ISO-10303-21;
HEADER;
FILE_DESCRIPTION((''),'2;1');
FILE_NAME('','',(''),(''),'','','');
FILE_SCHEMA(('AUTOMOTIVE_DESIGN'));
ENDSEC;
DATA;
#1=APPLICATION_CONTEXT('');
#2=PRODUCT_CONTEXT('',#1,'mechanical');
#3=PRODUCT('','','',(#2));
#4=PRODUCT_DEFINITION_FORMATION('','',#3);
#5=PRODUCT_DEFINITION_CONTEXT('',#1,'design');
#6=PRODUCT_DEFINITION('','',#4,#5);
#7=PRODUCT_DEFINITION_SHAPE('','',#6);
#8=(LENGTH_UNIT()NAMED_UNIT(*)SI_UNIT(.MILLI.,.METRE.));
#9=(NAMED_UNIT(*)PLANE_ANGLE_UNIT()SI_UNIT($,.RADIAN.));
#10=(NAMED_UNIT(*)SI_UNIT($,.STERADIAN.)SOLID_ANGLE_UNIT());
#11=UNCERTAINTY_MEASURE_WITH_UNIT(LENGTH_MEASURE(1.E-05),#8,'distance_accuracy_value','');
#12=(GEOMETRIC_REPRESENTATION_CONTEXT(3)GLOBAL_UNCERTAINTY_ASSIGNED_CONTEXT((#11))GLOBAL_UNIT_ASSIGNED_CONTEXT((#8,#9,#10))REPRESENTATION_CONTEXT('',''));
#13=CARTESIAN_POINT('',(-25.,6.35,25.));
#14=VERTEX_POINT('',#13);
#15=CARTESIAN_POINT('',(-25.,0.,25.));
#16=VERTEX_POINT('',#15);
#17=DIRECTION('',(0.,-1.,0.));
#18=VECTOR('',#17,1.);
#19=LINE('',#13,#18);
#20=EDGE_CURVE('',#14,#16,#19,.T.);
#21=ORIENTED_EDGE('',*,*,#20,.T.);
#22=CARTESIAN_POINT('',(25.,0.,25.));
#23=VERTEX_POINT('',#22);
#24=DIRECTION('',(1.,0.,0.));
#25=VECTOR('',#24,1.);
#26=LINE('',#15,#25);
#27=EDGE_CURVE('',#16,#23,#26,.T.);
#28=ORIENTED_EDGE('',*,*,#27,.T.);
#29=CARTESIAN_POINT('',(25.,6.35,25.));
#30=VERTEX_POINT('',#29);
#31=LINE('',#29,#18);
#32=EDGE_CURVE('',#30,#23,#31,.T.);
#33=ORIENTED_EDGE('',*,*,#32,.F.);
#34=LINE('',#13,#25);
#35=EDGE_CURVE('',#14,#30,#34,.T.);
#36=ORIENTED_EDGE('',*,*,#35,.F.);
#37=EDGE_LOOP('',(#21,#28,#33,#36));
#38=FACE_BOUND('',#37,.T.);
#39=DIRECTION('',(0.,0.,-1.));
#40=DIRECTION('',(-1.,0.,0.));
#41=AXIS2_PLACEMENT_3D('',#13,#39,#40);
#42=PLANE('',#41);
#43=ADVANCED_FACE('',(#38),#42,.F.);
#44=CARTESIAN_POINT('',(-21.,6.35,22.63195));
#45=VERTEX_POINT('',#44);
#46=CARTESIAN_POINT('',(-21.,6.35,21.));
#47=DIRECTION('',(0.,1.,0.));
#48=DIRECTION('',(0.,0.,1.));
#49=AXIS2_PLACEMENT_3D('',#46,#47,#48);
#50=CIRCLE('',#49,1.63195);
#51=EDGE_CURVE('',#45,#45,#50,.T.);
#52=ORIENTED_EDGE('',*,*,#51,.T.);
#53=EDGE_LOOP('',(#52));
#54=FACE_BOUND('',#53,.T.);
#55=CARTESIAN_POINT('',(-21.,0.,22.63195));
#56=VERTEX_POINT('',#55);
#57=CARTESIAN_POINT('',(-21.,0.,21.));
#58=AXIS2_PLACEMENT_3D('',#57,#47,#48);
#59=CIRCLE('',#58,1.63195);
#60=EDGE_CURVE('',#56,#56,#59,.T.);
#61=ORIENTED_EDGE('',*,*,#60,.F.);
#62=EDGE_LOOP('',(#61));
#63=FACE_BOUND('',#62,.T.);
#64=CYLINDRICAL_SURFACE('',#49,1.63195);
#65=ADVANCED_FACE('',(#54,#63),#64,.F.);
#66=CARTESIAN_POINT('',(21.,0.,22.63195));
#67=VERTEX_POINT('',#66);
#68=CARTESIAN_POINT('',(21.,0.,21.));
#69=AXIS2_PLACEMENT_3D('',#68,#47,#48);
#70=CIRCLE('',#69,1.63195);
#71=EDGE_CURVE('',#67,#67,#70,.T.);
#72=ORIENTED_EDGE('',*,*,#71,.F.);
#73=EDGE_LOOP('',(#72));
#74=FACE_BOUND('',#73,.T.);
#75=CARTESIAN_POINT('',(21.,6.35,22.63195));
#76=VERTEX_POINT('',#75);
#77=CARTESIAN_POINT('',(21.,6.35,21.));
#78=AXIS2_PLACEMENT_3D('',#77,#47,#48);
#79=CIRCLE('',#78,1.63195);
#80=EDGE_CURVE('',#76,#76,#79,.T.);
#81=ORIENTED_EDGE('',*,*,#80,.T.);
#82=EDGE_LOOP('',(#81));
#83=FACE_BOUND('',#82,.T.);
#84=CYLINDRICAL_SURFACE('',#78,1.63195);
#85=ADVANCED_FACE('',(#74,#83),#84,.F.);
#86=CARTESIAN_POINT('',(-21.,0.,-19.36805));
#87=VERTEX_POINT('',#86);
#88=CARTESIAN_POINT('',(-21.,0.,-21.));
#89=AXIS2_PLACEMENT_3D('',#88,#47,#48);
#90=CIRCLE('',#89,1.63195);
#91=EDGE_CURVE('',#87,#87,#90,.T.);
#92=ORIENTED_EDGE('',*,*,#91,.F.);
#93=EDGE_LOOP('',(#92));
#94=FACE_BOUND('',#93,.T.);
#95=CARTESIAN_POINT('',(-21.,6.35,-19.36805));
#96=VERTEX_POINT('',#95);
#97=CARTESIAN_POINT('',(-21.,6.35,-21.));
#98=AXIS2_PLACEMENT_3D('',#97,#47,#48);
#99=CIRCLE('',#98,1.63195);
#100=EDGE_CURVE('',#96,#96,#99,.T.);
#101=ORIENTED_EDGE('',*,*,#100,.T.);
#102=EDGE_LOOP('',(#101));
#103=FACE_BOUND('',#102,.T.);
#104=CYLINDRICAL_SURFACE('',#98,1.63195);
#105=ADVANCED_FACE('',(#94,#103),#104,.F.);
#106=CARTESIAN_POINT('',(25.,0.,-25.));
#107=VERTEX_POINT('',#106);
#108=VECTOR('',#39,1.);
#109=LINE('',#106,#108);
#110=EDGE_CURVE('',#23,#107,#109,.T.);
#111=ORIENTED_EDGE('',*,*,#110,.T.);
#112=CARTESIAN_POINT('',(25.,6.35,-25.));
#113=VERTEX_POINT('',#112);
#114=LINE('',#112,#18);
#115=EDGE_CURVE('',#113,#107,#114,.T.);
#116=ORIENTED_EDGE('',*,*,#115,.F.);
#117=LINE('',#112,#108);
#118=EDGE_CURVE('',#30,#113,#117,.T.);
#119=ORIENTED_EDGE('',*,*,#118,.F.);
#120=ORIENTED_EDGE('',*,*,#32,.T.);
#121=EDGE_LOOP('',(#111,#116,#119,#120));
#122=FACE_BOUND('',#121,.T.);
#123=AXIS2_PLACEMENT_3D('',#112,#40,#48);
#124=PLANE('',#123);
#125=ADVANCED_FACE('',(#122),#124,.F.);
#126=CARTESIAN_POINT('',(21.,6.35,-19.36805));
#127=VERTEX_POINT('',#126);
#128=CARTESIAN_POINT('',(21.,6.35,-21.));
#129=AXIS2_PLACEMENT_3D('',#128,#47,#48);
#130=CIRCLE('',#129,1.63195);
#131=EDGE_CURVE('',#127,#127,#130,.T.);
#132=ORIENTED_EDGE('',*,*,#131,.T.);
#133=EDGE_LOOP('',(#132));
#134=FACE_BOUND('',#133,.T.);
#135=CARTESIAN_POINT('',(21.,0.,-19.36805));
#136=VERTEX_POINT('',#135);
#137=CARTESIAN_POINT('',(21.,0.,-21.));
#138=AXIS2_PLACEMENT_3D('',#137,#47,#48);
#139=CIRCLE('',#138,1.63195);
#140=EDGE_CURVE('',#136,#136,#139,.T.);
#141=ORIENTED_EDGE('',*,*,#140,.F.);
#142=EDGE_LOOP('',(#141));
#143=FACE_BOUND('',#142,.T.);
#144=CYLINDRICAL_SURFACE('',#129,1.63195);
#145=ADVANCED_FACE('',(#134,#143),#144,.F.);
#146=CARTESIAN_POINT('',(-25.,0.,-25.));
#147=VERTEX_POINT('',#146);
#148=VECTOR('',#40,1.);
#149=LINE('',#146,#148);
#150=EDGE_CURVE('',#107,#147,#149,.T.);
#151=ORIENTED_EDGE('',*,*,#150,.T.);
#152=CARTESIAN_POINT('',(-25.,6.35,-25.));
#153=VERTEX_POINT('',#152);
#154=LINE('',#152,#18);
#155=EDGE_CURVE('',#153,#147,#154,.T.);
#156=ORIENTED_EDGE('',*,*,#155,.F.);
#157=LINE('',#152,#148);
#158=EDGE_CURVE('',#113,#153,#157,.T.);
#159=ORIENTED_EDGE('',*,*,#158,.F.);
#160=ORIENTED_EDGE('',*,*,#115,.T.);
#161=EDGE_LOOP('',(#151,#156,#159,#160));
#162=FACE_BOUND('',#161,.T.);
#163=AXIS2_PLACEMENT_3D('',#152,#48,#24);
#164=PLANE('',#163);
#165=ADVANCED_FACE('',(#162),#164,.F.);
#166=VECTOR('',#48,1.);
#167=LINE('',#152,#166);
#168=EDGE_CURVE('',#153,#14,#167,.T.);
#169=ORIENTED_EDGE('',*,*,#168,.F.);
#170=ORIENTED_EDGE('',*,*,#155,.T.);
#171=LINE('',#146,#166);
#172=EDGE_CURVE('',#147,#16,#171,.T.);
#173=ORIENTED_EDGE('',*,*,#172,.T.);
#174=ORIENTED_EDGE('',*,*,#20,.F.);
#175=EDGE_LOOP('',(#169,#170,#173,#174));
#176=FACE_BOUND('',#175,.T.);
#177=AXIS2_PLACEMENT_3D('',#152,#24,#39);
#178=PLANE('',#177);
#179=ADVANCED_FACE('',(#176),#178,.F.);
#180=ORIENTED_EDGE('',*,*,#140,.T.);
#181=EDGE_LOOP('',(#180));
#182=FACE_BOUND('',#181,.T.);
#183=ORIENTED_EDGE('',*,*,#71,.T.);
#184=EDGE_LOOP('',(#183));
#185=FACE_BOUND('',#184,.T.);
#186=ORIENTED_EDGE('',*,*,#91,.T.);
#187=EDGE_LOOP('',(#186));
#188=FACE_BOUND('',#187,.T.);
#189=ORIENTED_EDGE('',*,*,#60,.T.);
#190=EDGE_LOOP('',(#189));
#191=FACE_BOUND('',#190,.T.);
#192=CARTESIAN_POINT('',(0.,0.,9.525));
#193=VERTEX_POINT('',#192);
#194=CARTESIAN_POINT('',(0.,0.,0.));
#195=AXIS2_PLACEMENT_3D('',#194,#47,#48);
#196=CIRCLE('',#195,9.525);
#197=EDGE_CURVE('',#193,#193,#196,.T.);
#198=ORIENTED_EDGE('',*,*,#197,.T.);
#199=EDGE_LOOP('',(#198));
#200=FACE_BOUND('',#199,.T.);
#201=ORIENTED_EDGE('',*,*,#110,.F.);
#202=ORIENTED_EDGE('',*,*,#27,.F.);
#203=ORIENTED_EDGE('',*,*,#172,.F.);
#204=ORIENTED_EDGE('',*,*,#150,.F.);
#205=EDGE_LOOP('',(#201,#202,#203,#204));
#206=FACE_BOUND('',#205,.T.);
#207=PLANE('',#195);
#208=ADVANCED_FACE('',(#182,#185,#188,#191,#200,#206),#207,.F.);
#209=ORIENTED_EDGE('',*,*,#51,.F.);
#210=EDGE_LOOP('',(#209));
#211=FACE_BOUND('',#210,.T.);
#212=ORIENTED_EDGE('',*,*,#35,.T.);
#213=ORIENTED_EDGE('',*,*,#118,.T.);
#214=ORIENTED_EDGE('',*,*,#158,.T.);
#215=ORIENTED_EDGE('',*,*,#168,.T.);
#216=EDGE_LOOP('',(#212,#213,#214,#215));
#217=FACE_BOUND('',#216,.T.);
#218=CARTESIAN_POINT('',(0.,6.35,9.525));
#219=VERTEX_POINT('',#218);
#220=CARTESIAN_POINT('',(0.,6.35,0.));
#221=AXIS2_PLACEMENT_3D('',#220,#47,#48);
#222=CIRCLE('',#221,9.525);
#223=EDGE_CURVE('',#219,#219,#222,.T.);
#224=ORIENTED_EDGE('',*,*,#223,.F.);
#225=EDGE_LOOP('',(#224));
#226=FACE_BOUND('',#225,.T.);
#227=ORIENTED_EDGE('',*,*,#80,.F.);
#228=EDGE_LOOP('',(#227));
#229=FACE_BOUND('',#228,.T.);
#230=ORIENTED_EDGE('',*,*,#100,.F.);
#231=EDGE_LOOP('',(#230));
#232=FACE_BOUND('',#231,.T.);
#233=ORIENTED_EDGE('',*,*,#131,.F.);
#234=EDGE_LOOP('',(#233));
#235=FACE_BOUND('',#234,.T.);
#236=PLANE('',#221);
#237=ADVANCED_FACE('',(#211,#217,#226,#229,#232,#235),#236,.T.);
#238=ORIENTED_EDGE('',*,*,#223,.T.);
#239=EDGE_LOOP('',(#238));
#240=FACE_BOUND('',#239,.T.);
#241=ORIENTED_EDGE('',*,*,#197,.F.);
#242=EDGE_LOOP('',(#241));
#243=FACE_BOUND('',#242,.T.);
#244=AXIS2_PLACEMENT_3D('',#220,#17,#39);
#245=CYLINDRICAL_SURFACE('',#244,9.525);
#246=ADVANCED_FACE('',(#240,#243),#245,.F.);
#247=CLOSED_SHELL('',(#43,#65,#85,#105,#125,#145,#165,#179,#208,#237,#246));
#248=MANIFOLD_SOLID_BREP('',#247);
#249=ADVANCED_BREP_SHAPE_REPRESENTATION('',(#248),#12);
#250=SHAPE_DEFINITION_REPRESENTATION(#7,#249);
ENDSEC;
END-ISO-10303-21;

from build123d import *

# Parameters (mm, degrees)
SKETCH2_W             = 50
SKETCH2_H             = 50
SKETCH2_R             = 9.525
BOSS_EXTRUDE1_DEPTH   = 6.35
F_4_CLEARANCE_HOLE1_D = 3.2639


with BuildPart() as part:
    # Sketch2 → Boss-Extrude1 (new body)
    with BuildSketch(Plane(origin=(0, 0, 0), x_dir=(1, 0, 0), z_dir=(0, 1, 0))):
        Rectangle(SKETCH2_W, SKETCH2_H)
        Circle(SKETCH2_R, mode=Mode.SUBTRACT)
    extrude(amount=BOSS_EXTRUDE1_DEPTH)

    # #4 Clearance Hole1 (through all)
    with Locations(Plane(origin=(0, 6.35, 0), x_dir=(1, 0, 0), z_dir=(0, 1, 0))):
        with Locations((-21, -21), (21, -21), (21, 21), (-21, 21)):
            Hole(F_4_CLEARANCE_HOLE1_D / 2)


solid = part.part
